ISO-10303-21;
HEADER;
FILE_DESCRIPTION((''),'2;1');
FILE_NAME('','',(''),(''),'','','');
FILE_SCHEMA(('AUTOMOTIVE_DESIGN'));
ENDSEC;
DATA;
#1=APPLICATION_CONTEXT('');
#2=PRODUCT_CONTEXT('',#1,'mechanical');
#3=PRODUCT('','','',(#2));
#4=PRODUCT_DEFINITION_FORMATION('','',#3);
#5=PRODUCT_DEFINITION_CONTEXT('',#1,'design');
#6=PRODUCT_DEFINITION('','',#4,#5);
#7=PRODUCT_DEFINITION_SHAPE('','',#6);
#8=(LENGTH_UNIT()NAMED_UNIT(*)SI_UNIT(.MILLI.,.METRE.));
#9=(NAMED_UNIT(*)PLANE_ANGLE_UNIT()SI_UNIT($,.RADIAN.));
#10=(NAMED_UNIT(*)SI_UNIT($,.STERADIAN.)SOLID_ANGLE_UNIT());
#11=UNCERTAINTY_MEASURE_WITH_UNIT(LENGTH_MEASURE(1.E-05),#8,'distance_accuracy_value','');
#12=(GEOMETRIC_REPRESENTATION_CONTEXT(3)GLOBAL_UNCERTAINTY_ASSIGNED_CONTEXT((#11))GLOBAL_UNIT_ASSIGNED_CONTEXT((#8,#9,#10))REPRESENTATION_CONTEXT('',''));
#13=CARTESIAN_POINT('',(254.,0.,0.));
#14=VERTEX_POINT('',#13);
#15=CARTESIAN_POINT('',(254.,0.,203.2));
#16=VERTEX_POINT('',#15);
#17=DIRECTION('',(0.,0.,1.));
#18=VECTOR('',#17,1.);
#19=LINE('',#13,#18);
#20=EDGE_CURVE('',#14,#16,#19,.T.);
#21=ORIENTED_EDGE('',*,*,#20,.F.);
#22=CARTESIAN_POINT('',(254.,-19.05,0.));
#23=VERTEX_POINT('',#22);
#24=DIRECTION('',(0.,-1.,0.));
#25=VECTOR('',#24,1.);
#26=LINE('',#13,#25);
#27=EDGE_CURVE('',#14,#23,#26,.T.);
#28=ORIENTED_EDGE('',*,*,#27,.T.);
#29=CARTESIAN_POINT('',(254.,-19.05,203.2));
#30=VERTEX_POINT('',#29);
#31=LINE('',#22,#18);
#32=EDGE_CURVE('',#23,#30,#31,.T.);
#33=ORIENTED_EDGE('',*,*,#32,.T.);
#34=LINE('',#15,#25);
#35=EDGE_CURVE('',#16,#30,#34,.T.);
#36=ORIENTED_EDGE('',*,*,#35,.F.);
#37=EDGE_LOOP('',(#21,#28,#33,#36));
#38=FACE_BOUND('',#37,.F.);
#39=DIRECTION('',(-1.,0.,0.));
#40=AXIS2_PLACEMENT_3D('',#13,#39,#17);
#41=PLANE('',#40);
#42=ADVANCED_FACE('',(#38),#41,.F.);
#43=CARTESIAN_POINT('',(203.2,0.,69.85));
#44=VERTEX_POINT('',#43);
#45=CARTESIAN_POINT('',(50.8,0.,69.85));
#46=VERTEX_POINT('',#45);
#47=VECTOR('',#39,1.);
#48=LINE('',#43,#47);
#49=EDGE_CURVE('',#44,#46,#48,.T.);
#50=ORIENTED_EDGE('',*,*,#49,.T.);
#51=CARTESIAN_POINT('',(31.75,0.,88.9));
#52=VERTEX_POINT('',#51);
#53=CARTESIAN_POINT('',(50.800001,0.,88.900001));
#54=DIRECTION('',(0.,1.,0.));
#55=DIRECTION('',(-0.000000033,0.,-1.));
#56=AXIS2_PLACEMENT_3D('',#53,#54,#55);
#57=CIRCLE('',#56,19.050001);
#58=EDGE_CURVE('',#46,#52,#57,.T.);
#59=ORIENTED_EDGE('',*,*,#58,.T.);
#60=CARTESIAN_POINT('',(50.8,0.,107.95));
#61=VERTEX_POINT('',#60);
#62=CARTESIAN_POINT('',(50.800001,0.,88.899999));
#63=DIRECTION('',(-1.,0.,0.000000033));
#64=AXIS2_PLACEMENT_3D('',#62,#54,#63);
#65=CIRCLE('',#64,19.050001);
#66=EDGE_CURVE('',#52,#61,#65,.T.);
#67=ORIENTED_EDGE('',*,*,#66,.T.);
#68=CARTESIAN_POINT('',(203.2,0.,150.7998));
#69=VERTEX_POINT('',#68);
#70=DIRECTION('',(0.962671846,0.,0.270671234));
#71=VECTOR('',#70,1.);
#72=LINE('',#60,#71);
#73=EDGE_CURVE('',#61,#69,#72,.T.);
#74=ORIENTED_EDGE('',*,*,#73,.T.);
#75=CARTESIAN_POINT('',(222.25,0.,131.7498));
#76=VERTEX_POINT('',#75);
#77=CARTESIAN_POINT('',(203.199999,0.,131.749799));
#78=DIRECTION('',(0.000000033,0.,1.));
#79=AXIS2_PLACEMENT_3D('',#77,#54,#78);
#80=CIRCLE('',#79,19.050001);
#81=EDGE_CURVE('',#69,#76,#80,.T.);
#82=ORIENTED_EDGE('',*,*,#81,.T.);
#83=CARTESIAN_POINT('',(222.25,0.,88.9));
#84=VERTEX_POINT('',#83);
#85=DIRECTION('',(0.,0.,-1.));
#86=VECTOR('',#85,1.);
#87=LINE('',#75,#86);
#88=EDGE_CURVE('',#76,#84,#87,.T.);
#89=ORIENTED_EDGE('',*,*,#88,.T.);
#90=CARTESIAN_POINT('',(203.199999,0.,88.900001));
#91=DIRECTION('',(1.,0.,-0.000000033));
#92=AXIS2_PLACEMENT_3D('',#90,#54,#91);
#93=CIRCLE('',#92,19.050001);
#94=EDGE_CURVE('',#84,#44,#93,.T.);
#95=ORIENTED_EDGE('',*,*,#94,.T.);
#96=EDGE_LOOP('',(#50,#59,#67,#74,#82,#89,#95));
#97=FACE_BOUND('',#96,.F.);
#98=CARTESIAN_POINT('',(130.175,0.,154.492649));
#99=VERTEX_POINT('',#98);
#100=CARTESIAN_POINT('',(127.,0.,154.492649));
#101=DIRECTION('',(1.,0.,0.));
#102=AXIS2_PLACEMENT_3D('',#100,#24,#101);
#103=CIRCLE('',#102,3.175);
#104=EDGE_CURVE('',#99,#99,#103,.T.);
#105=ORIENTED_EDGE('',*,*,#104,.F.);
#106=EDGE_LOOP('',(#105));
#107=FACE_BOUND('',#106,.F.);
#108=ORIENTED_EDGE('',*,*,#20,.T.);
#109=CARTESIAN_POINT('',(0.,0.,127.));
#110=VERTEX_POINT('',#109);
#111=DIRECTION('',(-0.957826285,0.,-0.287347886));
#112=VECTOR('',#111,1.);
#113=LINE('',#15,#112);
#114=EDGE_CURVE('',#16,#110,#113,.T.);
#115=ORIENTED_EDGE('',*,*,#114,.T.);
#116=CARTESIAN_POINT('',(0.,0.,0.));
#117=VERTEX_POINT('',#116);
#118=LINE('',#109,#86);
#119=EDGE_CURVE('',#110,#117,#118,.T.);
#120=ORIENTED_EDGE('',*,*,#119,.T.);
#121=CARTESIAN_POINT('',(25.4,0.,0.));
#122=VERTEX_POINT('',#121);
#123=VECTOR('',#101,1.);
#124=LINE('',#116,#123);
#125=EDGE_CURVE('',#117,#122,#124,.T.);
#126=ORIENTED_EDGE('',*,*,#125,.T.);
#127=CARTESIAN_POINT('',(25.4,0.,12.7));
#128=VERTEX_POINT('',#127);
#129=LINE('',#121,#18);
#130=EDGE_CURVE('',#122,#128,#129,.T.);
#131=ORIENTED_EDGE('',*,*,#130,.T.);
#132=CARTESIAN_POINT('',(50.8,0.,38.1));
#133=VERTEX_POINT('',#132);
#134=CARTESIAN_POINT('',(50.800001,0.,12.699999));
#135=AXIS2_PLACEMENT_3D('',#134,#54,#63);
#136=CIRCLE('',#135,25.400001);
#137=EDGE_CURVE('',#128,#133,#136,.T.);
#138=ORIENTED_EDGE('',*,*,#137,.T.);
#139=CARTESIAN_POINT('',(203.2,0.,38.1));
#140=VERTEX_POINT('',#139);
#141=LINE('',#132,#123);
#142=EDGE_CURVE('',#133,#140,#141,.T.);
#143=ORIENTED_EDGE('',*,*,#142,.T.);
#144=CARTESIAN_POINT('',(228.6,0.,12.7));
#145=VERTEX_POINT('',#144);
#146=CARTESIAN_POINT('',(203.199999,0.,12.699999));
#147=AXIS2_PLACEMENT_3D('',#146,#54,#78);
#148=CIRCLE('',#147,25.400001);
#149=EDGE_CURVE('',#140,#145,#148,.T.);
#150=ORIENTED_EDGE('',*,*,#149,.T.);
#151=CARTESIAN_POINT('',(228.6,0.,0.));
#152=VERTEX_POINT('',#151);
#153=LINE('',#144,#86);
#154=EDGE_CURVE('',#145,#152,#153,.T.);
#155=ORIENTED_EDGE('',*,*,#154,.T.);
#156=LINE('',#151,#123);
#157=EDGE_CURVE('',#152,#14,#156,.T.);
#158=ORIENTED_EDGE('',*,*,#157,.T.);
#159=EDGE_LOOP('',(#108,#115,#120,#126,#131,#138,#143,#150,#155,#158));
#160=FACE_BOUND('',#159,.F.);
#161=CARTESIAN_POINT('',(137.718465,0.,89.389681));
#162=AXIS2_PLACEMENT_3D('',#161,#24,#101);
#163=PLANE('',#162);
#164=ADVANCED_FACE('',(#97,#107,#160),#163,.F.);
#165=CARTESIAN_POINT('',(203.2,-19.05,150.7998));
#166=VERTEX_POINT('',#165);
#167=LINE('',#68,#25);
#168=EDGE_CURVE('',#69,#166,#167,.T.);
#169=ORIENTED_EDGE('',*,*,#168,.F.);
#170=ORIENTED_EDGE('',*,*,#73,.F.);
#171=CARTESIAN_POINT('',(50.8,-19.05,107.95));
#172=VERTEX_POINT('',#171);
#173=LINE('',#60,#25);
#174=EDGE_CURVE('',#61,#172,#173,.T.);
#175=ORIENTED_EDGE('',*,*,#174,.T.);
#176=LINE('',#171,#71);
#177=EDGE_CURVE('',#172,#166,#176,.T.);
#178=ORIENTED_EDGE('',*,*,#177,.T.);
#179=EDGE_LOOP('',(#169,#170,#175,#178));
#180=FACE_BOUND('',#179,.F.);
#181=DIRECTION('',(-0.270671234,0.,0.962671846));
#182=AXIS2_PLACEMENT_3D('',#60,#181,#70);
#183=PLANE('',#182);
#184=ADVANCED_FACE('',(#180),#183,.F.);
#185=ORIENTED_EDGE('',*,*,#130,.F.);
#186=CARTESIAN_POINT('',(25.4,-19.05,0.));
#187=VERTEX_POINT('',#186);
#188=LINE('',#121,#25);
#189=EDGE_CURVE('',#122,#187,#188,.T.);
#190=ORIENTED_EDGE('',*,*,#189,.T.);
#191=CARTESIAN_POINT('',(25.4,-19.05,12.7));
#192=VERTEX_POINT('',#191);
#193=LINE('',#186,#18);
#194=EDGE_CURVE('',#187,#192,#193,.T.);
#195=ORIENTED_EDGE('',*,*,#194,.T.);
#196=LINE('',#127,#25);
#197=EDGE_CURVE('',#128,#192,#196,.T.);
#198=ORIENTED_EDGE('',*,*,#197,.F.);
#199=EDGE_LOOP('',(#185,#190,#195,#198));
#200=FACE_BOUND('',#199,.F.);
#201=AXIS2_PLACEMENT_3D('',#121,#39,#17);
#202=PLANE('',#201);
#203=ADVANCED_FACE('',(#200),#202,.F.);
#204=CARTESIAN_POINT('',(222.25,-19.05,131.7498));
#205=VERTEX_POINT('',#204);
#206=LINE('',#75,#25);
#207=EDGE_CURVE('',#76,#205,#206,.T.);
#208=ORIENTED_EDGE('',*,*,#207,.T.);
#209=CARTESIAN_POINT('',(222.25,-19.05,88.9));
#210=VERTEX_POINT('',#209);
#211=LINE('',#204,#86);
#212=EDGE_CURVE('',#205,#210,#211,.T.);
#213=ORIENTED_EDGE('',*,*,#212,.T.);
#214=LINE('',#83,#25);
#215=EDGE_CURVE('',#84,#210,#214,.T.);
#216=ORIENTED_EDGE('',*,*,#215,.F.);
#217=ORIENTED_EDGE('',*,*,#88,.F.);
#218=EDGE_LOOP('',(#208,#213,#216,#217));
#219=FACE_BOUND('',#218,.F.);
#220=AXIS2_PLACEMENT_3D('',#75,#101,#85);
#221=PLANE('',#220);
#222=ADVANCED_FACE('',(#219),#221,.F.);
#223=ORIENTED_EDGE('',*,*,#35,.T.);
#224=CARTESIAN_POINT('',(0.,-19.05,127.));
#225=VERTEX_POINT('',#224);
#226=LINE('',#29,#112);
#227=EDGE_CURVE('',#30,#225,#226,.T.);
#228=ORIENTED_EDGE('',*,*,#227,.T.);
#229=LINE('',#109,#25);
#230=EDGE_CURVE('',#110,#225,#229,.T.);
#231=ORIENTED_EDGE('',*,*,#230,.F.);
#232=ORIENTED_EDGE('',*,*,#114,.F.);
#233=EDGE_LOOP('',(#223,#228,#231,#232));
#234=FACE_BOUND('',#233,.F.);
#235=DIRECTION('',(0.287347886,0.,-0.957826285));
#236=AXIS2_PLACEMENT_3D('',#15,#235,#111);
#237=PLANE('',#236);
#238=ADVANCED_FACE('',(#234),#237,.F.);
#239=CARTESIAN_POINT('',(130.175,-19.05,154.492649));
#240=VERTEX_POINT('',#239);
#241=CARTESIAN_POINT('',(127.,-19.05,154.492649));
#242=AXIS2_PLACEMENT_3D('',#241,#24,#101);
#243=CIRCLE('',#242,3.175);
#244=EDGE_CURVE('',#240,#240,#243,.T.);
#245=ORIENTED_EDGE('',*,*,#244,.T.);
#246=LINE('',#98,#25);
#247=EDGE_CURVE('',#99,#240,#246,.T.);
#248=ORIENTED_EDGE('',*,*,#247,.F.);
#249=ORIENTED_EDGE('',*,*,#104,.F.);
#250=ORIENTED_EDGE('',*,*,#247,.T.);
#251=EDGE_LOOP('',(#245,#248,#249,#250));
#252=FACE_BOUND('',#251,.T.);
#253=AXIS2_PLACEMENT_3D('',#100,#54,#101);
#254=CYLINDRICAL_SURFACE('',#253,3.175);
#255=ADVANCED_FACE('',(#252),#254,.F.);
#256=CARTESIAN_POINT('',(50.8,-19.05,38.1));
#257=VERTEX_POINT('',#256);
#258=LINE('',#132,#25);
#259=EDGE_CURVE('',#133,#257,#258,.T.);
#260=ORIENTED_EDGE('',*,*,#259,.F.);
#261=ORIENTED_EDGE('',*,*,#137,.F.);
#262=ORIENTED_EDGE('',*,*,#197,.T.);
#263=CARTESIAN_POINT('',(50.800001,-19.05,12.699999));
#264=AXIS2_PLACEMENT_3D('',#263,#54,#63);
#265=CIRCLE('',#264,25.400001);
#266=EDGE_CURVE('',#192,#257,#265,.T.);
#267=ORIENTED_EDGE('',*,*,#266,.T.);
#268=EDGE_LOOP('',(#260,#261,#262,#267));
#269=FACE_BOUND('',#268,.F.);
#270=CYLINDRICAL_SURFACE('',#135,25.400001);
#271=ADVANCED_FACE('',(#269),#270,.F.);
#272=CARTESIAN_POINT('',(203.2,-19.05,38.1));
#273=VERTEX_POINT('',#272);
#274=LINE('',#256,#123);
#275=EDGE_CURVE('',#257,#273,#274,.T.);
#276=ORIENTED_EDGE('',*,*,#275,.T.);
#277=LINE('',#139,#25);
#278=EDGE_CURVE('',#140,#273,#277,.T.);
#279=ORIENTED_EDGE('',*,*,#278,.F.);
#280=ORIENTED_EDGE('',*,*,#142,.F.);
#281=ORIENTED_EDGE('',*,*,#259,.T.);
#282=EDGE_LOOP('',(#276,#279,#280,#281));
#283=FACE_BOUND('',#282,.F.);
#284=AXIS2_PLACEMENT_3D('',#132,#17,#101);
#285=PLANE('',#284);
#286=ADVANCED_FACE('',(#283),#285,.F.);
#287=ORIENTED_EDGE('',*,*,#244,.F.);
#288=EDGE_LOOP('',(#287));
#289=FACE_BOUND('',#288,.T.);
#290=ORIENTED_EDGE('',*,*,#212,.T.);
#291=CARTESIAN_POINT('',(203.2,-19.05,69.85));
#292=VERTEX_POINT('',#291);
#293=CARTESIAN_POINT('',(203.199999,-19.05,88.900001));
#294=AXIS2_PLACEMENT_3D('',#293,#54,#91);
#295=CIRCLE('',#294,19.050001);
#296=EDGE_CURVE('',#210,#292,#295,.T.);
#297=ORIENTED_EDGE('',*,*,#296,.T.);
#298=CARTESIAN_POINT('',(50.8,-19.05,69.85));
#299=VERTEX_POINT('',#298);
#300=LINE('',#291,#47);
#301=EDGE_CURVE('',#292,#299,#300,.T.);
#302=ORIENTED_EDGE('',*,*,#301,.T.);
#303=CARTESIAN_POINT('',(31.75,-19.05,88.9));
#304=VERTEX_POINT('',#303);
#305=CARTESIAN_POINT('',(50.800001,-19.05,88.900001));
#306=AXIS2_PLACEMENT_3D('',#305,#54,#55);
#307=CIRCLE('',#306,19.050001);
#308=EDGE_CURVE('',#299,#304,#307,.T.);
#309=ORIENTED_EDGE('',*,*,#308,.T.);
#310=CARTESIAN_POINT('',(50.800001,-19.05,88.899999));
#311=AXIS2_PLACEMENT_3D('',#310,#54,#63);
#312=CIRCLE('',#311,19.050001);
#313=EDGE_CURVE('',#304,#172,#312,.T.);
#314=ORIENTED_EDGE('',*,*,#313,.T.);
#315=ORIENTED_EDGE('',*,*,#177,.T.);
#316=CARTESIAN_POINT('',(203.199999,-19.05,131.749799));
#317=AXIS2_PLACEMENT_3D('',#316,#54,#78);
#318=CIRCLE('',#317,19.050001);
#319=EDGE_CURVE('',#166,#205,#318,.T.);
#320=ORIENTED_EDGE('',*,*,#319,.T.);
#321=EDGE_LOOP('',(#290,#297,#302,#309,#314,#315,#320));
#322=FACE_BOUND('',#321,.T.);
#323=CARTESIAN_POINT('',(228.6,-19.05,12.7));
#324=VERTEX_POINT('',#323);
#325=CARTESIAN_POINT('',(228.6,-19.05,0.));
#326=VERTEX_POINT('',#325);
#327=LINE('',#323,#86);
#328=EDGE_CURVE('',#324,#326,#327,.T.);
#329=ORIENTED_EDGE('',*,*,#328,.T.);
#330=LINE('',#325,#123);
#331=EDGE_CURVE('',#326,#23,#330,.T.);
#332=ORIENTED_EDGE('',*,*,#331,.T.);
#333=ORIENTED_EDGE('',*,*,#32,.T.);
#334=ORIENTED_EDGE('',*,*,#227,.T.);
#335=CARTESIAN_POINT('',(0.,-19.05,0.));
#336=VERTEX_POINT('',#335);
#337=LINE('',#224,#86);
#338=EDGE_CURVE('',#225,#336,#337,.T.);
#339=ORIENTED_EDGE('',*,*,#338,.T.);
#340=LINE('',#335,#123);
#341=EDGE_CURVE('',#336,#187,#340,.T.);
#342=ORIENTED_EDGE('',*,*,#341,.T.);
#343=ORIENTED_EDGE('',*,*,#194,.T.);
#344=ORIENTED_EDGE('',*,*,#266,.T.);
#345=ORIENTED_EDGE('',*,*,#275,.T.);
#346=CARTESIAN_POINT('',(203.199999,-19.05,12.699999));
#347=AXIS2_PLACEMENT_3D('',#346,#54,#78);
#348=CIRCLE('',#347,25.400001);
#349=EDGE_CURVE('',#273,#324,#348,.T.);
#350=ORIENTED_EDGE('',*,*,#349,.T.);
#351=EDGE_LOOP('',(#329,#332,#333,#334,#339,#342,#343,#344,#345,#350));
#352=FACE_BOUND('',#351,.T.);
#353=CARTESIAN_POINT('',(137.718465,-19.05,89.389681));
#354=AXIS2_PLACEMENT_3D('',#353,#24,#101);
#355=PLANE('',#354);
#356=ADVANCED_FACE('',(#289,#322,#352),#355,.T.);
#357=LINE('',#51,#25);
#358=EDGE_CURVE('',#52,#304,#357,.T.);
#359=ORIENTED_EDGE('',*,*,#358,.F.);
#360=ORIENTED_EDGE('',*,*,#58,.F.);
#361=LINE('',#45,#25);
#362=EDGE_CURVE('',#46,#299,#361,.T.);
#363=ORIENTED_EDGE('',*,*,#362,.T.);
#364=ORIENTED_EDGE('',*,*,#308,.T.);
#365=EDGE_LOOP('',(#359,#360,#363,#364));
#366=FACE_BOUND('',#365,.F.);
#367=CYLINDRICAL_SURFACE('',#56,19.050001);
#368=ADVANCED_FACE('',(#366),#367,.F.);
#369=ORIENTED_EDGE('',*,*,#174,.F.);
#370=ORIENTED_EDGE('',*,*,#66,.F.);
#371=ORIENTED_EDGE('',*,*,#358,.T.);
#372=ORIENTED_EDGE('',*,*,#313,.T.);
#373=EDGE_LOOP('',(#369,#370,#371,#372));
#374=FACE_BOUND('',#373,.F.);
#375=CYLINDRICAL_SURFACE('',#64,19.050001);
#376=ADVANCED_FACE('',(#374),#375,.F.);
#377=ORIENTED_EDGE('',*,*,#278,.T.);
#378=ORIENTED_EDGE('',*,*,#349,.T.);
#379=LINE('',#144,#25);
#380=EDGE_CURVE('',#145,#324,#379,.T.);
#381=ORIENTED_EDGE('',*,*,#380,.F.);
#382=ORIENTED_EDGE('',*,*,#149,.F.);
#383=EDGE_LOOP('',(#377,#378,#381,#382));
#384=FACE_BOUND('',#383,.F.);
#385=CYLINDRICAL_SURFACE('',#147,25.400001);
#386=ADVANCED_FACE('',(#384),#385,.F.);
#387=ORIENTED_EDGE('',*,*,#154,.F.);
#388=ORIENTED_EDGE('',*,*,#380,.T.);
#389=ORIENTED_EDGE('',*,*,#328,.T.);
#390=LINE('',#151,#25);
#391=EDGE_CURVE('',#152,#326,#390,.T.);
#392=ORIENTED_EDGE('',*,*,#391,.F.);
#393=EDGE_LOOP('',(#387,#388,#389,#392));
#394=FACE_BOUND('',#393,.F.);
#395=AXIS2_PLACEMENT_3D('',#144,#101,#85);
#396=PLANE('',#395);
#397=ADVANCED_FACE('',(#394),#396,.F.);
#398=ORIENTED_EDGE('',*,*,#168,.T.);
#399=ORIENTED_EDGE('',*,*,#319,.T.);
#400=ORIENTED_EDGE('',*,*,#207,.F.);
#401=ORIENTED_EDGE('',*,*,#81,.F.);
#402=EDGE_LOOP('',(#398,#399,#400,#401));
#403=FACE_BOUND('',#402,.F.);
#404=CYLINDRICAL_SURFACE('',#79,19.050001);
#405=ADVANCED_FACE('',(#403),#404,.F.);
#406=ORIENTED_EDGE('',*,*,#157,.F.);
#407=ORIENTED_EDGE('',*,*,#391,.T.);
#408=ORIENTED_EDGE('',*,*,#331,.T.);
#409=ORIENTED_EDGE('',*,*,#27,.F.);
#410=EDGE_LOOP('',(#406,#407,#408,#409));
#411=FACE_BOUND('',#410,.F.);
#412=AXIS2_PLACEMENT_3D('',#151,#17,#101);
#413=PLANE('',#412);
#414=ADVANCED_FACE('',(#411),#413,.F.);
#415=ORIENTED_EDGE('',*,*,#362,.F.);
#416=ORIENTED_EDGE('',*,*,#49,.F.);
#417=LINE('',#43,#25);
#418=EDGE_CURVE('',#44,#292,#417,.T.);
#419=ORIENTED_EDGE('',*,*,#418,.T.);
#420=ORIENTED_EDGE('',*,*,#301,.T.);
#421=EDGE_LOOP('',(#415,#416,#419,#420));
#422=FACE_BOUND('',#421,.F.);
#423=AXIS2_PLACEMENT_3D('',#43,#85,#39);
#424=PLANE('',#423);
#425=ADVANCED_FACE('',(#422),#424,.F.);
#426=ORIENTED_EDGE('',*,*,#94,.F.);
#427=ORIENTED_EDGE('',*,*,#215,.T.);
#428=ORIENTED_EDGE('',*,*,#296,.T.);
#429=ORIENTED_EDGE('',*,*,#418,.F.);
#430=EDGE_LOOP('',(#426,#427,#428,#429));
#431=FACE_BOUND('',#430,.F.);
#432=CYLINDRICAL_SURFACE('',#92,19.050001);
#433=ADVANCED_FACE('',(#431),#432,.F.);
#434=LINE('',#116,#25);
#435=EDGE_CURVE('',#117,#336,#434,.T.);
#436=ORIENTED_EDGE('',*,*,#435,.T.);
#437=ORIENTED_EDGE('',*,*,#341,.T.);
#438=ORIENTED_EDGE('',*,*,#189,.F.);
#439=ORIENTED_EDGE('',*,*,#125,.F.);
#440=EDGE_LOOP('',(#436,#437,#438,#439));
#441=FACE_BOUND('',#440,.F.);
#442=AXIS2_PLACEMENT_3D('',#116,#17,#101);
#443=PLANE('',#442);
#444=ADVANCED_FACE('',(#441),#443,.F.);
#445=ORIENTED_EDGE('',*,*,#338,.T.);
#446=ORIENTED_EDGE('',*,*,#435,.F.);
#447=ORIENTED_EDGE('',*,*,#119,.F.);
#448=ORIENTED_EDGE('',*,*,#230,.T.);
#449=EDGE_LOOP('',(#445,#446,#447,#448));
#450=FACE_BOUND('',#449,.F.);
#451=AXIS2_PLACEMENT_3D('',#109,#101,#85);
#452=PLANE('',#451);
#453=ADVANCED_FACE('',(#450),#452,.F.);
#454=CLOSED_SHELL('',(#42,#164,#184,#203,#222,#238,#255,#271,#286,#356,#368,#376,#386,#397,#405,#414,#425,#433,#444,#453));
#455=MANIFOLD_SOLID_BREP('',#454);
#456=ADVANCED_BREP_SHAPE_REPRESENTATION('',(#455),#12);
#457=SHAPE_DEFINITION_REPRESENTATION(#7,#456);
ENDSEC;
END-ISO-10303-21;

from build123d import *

# Parameters (mm, degrees)
F0_R     = 3.175
F1_DEPTH = 19.05


with BuildPart() as f1:
    # F0 (on Front) → F1 (new body)
    with BuildSketch(Plane.XZ):
        with BuildLine():
            Line((0, 127), (0, 0))
            Line((0, 0), (25.4, 0))
            Line((25.4, 0), (25.4, 12.7))
            ThreePointArc((25.4, 12.7), (32.839488, 30.660512), (50.8, 38.1))
            Line((50.8, 38.1), (203.2, 38.1))
            ThreePointArc((203.2, 38.1), (221.160512, 30.660512), (228.6, 12.7))
            Line((228.6, 12.7), (228.6, 0))
            Line((228.6, 0), (254, 0))
            Line((254, 0), (254, 203.2))
            Line((254, 203.2), (0, 127))
        make_face()
        with BuildLine():
            ThreePointArc((222.25, 88.9), (216.670384, 75.429616), (203.2, 69.85))
            Line((203.2, 69.85), (50.8, 69.85))
            ThreePointArc((50.8, 69.85), (37.329616, 75.429616), (31.75, 88.9))
            ThreePointArc((31.75, 88.9), (37.329616, 102.370384), (50.8, 107.95))
            Line((50.8, 107.95), (203.2, 150.7998))
            ThreePointArc((203.2, 150.7998), (216.670384, 145.220184), (222.25, 131.7498))
            Line((222.25, 131.7498), (222.25, 88.9))
        make_face(mode=Mode.SUBTRACT)
        with Locations((127, 154.492649)):
            Circle(F0_R, mode=Mode.SUBTRACT)
    extrude(amount=F1_DEPTH)


solid = f1.part
